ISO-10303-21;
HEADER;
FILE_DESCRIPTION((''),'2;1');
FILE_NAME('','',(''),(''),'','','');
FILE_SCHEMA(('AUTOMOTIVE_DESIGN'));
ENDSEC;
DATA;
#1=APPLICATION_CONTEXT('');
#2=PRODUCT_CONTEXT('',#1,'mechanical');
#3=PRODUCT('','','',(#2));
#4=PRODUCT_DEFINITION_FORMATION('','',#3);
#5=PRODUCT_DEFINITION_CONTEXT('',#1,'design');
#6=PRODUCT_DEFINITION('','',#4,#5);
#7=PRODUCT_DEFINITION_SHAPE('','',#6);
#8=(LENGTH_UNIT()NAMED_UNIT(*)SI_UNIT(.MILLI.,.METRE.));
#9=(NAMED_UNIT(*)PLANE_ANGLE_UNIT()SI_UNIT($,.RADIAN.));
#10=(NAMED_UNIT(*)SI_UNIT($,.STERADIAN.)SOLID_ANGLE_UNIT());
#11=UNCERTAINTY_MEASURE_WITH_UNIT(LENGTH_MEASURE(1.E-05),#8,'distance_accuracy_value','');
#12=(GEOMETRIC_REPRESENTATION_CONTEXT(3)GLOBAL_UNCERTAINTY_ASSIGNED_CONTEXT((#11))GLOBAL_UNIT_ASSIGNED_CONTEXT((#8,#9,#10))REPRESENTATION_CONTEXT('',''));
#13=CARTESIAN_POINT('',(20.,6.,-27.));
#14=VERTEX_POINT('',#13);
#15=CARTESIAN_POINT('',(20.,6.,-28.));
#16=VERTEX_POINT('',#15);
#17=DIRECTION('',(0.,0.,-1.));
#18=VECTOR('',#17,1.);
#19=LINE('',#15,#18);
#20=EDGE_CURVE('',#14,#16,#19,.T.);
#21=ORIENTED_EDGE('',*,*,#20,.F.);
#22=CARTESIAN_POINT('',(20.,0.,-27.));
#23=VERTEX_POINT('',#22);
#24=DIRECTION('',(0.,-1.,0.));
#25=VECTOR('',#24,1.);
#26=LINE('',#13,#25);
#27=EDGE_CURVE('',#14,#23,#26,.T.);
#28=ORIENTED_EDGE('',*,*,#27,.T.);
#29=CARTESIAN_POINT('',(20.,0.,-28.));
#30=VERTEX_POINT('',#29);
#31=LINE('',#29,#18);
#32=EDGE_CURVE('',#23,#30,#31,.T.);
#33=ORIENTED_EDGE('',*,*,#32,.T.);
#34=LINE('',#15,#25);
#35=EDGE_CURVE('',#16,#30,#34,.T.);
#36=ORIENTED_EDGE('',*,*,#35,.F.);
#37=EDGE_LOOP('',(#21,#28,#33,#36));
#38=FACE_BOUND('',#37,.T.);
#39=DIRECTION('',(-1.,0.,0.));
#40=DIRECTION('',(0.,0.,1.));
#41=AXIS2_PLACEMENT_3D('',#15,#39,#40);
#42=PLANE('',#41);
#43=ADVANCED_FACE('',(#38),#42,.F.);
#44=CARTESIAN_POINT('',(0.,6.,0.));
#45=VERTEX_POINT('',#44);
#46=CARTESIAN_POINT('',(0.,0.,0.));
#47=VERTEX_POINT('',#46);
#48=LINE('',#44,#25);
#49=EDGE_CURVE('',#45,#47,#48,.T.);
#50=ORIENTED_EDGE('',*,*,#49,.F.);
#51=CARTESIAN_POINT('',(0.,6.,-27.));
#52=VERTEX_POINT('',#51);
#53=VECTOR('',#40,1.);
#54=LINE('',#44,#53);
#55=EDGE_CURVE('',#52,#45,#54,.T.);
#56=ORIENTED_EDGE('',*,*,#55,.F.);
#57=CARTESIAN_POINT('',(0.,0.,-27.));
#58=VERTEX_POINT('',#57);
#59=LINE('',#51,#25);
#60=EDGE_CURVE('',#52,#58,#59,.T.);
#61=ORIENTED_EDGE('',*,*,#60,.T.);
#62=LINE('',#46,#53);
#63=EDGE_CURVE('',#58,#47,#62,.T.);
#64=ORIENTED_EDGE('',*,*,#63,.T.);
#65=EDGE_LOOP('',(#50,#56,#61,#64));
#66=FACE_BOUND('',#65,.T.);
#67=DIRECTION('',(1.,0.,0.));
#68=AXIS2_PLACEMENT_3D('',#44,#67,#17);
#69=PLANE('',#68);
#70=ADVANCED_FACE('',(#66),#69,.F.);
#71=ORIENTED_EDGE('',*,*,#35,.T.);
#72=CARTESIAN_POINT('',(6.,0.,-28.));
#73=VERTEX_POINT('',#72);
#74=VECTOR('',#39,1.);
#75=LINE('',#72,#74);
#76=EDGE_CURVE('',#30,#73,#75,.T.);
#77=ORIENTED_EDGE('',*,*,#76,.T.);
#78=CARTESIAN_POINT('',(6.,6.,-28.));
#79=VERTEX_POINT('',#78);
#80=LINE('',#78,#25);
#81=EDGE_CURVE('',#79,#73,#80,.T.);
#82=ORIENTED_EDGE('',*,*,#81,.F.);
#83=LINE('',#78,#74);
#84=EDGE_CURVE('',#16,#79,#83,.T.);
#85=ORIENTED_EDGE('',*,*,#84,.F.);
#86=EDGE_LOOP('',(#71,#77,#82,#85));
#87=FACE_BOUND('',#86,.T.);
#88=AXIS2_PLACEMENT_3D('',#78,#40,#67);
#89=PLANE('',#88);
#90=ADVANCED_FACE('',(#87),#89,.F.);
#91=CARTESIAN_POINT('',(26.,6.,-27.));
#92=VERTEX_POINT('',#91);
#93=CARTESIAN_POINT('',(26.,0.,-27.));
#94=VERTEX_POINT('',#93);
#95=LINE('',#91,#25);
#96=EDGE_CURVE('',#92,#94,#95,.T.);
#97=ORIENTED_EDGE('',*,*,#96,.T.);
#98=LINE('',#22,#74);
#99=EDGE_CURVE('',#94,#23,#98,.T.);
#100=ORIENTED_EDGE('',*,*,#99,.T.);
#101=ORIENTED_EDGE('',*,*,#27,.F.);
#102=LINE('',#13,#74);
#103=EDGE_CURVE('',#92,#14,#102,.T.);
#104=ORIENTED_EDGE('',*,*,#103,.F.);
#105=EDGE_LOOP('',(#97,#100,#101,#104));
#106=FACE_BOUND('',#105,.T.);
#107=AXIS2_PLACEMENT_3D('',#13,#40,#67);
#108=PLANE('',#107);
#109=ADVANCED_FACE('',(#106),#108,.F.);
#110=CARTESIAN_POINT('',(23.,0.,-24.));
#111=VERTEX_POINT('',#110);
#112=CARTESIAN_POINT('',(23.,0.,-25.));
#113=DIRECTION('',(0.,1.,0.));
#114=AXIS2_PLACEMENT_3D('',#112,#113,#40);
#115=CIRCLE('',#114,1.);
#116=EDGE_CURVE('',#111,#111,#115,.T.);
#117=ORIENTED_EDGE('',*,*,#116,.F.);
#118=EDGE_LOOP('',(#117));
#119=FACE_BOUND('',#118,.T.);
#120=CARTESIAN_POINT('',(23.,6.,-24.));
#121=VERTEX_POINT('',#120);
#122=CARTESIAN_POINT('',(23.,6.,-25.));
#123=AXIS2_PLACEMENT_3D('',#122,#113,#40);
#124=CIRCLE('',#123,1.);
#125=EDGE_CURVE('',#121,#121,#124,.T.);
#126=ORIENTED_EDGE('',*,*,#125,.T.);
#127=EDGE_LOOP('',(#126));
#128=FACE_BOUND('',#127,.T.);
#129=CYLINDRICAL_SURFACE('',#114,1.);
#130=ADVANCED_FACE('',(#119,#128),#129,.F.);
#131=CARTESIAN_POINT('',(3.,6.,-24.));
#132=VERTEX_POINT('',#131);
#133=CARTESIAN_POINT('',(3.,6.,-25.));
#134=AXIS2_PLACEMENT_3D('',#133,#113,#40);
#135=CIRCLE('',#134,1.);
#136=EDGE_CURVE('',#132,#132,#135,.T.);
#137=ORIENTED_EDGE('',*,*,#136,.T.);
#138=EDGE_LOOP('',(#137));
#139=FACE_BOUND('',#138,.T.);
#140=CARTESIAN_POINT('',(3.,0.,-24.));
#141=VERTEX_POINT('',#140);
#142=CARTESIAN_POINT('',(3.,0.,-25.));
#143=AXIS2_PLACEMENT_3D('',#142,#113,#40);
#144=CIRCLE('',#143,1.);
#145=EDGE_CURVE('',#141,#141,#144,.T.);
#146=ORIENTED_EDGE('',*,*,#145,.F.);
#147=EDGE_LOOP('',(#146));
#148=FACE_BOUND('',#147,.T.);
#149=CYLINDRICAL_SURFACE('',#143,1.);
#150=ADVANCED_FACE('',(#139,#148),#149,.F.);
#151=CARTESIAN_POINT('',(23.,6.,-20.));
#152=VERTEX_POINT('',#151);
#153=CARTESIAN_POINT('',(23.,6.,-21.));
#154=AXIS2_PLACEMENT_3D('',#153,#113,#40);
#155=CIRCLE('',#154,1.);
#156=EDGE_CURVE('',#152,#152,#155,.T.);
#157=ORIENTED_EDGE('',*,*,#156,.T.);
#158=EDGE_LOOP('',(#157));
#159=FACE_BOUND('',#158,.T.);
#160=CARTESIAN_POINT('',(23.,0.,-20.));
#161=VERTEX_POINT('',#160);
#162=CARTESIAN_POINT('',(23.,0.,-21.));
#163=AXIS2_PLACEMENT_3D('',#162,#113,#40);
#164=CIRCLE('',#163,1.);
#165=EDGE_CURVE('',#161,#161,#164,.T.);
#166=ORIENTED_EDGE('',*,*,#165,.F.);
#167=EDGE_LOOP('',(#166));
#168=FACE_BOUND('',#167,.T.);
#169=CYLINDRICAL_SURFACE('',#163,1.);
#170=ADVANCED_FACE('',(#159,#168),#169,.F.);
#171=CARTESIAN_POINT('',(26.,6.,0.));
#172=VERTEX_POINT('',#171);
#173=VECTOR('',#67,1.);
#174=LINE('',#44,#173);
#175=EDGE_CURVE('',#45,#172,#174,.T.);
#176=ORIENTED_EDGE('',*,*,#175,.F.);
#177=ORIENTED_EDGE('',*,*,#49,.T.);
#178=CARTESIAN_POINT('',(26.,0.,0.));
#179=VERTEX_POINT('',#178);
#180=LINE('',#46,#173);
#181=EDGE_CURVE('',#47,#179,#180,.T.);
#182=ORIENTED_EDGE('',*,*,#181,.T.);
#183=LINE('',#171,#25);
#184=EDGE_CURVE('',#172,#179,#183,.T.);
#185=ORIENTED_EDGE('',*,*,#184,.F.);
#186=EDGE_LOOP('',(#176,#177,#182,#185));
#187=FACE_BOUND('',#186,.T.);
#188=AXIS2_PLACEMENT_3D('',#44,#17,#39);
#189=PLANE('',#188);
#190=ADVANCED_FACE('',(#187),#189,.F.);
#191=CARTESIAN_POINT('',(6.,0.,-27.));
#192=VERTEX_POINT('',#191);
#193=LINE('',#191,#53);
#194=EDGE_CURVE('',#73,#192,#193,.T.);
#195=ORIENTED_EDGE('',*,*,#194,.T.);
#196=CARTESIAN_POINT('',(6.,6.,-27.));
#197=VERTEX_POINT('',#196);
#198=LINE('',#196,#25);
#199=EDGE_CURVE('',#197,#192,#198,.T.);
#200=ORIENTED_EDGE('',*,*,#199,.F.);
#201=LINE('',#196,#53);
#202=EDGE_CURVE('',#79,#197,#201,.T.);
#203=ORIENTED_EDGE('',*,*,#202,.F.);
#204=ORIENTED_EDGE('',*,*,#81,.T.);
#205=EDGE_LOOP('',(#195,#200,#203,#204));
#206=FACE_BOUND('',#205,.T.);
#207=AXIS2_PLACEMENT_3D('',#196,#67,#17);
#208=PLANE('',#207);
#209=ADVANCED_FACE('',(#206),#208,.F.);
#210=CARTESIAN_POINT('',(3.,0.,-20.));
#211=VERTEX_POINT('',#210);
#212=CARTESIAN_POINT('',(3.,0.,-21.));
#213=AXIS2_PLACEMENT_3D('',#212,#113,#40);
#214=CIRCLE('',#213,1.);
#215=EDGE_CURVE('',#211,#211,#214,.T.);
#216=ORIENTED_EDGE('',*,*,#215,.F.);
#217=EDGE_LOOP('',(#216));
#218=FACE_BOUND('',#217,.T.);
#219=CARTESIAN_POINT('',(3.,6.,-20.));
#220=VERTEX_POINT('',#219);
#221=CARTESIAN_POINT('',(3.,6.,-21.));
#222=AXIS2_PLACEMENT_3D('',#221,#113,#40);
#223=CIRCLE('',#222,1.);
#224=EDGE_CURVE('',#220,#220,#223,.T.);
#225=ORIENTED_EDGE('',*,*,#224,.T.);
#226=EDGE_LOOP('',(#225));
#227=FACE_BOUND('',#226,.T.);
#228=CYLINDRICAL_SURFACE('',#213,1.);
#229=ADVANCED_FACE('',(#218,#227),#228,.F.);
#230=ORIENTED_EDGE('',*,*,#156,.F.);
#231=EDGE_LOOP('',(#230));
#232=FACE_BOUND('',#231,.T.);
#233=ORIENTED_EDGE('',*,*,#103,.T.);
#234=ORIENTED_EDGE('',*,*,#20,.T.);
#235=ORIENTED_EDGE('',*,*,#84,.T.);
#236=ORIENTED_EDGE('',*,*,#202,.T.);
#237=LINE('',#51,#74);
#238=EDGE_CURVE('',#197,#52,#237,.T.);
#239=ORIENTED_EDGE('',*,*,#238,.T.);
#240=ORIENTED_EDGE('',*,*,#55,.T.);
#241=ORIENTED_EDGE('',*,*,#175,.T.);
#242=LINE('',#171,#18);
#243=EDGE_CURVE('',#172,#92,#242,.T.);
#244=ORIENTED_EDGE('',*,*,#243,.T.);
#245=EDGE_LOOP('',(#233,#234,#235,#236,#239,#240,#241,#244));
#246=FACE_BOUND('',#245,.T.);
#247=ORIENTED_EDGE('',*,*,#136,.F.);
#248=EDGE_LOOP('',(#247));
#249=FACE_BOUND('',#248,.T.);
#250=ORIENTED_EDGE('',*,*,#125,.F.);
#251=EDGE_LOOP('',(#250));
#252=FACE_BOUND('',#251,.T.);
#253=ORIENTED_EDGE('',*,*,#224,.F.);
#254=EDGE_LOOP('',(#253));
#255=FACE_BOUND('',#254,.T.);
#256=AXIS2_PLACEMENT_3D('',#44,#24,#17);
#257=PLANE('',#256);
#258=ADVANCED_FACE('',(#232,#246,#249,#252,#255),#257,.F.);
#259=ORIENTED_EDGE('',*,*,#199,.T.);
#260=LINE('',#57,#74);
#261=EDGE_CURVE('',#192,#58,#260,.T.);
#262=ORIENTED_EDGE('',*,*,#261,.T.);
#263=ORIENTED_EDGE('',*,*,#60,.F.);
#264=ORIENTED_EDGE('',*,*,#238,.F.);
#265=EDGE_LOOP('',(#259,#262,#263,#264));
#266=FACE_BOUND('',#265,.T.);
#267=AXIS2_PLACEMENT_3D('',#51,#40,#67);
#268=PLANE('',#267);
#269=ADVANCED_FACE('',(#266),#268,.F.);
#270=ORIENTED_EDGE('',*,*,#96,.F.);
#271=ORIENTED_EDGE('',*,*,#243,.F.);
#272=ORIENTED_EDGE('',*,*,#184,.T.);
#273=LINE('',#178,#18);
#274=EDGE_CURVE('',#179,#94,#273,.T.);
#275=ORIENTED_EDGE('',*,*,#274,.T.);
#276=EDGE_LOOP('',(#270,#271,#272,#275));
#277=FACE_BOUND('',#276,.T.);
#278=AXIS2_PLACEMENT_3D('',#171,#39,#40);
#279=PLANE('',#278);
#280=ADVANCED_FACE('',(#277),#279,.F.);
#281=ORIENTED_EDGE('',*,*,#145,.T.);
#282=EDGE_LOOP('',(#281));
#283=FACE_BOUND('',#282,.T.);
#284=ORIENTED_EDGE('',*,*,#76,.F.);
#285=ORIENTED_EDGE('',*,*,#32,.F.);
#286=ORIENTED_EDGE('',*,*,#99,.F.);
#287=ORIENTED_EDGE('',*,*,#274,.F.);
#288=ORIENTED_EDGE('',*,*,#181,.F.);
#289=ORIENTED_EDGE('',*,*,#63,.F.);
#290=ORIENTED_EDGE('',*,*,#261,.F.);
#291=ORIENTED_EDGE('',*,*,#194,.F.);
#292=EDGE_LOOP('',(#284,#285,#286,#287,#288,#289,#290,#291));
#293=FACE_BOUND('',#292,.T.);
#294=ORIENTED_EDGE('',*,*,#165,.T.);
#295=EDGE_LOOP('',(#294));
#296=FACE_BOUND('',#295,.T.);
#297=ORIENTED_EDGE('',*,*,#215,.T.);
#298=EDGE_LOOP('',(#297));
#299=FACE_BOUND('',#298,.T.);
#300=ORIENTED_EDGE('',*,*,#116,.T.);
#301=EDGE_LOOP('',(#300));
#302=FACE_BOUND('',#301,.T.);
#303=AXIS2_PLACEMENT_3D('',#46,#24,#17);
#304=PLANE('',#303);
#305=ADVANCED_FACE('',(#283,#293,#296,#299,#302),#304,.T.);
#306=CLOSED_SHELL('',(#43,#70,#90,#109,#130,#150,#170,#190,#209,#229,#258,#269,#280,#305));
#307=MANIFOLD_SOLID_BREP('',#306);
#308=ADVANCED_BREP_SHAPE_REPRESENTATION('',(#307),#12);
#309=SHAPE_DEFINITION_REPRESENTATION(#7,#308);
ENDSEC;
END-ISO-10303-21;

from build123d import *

# Parameters (mm, degrees)
BOSS_EXTRUDE1_DEPTH = 6
SKETCH2_R           = 1
CUT_EXTRUDE1_DEPTH  = 39.678159212


with BuildPart() as part:
    # Sketch1 → Boss-Extrude1 (new body)
    with BuildSketch(Plane(origin=(0, 0, 0), x_dir=(1, 0, 0), z_dir=(0, 1, 0))):
        Polygon((0, 27), (6, 27), (6, 28), (20, 28), (20, 27), (26, 27), (26, 0), (0, 0), align=None)
    extrude(amount=BOSS_EXTRUDE1_DEPTH)

    # Sketch2 → Cut-Extrude1 (cut, through all)
    with BuildSketch(Plane(origin=(0, 6, 0), x_dir=(1, 0, 0), z_dir=(0, 1, 0))):
        with Locations(Location((3, 25, 0), (0, 0, 270))):
            Circle(SKETCH2_R)
        with Locations(Location((23, 25, 0), (0, 0, 270))):
            Circle(SKETCH2_R)
        with Locations(Location((3, 21, 0), (0, 0, 270))):
            Circle(SKETCH2_R)
        with Locations(Location((23, 21, 0), (0, 0, 270))):
            Circle(SKETCH2_R)
    extrude(amount=-CUT_EXTRUDE1_DEPTH, mode=Mode.SUBTRACT)


solid = part.part
